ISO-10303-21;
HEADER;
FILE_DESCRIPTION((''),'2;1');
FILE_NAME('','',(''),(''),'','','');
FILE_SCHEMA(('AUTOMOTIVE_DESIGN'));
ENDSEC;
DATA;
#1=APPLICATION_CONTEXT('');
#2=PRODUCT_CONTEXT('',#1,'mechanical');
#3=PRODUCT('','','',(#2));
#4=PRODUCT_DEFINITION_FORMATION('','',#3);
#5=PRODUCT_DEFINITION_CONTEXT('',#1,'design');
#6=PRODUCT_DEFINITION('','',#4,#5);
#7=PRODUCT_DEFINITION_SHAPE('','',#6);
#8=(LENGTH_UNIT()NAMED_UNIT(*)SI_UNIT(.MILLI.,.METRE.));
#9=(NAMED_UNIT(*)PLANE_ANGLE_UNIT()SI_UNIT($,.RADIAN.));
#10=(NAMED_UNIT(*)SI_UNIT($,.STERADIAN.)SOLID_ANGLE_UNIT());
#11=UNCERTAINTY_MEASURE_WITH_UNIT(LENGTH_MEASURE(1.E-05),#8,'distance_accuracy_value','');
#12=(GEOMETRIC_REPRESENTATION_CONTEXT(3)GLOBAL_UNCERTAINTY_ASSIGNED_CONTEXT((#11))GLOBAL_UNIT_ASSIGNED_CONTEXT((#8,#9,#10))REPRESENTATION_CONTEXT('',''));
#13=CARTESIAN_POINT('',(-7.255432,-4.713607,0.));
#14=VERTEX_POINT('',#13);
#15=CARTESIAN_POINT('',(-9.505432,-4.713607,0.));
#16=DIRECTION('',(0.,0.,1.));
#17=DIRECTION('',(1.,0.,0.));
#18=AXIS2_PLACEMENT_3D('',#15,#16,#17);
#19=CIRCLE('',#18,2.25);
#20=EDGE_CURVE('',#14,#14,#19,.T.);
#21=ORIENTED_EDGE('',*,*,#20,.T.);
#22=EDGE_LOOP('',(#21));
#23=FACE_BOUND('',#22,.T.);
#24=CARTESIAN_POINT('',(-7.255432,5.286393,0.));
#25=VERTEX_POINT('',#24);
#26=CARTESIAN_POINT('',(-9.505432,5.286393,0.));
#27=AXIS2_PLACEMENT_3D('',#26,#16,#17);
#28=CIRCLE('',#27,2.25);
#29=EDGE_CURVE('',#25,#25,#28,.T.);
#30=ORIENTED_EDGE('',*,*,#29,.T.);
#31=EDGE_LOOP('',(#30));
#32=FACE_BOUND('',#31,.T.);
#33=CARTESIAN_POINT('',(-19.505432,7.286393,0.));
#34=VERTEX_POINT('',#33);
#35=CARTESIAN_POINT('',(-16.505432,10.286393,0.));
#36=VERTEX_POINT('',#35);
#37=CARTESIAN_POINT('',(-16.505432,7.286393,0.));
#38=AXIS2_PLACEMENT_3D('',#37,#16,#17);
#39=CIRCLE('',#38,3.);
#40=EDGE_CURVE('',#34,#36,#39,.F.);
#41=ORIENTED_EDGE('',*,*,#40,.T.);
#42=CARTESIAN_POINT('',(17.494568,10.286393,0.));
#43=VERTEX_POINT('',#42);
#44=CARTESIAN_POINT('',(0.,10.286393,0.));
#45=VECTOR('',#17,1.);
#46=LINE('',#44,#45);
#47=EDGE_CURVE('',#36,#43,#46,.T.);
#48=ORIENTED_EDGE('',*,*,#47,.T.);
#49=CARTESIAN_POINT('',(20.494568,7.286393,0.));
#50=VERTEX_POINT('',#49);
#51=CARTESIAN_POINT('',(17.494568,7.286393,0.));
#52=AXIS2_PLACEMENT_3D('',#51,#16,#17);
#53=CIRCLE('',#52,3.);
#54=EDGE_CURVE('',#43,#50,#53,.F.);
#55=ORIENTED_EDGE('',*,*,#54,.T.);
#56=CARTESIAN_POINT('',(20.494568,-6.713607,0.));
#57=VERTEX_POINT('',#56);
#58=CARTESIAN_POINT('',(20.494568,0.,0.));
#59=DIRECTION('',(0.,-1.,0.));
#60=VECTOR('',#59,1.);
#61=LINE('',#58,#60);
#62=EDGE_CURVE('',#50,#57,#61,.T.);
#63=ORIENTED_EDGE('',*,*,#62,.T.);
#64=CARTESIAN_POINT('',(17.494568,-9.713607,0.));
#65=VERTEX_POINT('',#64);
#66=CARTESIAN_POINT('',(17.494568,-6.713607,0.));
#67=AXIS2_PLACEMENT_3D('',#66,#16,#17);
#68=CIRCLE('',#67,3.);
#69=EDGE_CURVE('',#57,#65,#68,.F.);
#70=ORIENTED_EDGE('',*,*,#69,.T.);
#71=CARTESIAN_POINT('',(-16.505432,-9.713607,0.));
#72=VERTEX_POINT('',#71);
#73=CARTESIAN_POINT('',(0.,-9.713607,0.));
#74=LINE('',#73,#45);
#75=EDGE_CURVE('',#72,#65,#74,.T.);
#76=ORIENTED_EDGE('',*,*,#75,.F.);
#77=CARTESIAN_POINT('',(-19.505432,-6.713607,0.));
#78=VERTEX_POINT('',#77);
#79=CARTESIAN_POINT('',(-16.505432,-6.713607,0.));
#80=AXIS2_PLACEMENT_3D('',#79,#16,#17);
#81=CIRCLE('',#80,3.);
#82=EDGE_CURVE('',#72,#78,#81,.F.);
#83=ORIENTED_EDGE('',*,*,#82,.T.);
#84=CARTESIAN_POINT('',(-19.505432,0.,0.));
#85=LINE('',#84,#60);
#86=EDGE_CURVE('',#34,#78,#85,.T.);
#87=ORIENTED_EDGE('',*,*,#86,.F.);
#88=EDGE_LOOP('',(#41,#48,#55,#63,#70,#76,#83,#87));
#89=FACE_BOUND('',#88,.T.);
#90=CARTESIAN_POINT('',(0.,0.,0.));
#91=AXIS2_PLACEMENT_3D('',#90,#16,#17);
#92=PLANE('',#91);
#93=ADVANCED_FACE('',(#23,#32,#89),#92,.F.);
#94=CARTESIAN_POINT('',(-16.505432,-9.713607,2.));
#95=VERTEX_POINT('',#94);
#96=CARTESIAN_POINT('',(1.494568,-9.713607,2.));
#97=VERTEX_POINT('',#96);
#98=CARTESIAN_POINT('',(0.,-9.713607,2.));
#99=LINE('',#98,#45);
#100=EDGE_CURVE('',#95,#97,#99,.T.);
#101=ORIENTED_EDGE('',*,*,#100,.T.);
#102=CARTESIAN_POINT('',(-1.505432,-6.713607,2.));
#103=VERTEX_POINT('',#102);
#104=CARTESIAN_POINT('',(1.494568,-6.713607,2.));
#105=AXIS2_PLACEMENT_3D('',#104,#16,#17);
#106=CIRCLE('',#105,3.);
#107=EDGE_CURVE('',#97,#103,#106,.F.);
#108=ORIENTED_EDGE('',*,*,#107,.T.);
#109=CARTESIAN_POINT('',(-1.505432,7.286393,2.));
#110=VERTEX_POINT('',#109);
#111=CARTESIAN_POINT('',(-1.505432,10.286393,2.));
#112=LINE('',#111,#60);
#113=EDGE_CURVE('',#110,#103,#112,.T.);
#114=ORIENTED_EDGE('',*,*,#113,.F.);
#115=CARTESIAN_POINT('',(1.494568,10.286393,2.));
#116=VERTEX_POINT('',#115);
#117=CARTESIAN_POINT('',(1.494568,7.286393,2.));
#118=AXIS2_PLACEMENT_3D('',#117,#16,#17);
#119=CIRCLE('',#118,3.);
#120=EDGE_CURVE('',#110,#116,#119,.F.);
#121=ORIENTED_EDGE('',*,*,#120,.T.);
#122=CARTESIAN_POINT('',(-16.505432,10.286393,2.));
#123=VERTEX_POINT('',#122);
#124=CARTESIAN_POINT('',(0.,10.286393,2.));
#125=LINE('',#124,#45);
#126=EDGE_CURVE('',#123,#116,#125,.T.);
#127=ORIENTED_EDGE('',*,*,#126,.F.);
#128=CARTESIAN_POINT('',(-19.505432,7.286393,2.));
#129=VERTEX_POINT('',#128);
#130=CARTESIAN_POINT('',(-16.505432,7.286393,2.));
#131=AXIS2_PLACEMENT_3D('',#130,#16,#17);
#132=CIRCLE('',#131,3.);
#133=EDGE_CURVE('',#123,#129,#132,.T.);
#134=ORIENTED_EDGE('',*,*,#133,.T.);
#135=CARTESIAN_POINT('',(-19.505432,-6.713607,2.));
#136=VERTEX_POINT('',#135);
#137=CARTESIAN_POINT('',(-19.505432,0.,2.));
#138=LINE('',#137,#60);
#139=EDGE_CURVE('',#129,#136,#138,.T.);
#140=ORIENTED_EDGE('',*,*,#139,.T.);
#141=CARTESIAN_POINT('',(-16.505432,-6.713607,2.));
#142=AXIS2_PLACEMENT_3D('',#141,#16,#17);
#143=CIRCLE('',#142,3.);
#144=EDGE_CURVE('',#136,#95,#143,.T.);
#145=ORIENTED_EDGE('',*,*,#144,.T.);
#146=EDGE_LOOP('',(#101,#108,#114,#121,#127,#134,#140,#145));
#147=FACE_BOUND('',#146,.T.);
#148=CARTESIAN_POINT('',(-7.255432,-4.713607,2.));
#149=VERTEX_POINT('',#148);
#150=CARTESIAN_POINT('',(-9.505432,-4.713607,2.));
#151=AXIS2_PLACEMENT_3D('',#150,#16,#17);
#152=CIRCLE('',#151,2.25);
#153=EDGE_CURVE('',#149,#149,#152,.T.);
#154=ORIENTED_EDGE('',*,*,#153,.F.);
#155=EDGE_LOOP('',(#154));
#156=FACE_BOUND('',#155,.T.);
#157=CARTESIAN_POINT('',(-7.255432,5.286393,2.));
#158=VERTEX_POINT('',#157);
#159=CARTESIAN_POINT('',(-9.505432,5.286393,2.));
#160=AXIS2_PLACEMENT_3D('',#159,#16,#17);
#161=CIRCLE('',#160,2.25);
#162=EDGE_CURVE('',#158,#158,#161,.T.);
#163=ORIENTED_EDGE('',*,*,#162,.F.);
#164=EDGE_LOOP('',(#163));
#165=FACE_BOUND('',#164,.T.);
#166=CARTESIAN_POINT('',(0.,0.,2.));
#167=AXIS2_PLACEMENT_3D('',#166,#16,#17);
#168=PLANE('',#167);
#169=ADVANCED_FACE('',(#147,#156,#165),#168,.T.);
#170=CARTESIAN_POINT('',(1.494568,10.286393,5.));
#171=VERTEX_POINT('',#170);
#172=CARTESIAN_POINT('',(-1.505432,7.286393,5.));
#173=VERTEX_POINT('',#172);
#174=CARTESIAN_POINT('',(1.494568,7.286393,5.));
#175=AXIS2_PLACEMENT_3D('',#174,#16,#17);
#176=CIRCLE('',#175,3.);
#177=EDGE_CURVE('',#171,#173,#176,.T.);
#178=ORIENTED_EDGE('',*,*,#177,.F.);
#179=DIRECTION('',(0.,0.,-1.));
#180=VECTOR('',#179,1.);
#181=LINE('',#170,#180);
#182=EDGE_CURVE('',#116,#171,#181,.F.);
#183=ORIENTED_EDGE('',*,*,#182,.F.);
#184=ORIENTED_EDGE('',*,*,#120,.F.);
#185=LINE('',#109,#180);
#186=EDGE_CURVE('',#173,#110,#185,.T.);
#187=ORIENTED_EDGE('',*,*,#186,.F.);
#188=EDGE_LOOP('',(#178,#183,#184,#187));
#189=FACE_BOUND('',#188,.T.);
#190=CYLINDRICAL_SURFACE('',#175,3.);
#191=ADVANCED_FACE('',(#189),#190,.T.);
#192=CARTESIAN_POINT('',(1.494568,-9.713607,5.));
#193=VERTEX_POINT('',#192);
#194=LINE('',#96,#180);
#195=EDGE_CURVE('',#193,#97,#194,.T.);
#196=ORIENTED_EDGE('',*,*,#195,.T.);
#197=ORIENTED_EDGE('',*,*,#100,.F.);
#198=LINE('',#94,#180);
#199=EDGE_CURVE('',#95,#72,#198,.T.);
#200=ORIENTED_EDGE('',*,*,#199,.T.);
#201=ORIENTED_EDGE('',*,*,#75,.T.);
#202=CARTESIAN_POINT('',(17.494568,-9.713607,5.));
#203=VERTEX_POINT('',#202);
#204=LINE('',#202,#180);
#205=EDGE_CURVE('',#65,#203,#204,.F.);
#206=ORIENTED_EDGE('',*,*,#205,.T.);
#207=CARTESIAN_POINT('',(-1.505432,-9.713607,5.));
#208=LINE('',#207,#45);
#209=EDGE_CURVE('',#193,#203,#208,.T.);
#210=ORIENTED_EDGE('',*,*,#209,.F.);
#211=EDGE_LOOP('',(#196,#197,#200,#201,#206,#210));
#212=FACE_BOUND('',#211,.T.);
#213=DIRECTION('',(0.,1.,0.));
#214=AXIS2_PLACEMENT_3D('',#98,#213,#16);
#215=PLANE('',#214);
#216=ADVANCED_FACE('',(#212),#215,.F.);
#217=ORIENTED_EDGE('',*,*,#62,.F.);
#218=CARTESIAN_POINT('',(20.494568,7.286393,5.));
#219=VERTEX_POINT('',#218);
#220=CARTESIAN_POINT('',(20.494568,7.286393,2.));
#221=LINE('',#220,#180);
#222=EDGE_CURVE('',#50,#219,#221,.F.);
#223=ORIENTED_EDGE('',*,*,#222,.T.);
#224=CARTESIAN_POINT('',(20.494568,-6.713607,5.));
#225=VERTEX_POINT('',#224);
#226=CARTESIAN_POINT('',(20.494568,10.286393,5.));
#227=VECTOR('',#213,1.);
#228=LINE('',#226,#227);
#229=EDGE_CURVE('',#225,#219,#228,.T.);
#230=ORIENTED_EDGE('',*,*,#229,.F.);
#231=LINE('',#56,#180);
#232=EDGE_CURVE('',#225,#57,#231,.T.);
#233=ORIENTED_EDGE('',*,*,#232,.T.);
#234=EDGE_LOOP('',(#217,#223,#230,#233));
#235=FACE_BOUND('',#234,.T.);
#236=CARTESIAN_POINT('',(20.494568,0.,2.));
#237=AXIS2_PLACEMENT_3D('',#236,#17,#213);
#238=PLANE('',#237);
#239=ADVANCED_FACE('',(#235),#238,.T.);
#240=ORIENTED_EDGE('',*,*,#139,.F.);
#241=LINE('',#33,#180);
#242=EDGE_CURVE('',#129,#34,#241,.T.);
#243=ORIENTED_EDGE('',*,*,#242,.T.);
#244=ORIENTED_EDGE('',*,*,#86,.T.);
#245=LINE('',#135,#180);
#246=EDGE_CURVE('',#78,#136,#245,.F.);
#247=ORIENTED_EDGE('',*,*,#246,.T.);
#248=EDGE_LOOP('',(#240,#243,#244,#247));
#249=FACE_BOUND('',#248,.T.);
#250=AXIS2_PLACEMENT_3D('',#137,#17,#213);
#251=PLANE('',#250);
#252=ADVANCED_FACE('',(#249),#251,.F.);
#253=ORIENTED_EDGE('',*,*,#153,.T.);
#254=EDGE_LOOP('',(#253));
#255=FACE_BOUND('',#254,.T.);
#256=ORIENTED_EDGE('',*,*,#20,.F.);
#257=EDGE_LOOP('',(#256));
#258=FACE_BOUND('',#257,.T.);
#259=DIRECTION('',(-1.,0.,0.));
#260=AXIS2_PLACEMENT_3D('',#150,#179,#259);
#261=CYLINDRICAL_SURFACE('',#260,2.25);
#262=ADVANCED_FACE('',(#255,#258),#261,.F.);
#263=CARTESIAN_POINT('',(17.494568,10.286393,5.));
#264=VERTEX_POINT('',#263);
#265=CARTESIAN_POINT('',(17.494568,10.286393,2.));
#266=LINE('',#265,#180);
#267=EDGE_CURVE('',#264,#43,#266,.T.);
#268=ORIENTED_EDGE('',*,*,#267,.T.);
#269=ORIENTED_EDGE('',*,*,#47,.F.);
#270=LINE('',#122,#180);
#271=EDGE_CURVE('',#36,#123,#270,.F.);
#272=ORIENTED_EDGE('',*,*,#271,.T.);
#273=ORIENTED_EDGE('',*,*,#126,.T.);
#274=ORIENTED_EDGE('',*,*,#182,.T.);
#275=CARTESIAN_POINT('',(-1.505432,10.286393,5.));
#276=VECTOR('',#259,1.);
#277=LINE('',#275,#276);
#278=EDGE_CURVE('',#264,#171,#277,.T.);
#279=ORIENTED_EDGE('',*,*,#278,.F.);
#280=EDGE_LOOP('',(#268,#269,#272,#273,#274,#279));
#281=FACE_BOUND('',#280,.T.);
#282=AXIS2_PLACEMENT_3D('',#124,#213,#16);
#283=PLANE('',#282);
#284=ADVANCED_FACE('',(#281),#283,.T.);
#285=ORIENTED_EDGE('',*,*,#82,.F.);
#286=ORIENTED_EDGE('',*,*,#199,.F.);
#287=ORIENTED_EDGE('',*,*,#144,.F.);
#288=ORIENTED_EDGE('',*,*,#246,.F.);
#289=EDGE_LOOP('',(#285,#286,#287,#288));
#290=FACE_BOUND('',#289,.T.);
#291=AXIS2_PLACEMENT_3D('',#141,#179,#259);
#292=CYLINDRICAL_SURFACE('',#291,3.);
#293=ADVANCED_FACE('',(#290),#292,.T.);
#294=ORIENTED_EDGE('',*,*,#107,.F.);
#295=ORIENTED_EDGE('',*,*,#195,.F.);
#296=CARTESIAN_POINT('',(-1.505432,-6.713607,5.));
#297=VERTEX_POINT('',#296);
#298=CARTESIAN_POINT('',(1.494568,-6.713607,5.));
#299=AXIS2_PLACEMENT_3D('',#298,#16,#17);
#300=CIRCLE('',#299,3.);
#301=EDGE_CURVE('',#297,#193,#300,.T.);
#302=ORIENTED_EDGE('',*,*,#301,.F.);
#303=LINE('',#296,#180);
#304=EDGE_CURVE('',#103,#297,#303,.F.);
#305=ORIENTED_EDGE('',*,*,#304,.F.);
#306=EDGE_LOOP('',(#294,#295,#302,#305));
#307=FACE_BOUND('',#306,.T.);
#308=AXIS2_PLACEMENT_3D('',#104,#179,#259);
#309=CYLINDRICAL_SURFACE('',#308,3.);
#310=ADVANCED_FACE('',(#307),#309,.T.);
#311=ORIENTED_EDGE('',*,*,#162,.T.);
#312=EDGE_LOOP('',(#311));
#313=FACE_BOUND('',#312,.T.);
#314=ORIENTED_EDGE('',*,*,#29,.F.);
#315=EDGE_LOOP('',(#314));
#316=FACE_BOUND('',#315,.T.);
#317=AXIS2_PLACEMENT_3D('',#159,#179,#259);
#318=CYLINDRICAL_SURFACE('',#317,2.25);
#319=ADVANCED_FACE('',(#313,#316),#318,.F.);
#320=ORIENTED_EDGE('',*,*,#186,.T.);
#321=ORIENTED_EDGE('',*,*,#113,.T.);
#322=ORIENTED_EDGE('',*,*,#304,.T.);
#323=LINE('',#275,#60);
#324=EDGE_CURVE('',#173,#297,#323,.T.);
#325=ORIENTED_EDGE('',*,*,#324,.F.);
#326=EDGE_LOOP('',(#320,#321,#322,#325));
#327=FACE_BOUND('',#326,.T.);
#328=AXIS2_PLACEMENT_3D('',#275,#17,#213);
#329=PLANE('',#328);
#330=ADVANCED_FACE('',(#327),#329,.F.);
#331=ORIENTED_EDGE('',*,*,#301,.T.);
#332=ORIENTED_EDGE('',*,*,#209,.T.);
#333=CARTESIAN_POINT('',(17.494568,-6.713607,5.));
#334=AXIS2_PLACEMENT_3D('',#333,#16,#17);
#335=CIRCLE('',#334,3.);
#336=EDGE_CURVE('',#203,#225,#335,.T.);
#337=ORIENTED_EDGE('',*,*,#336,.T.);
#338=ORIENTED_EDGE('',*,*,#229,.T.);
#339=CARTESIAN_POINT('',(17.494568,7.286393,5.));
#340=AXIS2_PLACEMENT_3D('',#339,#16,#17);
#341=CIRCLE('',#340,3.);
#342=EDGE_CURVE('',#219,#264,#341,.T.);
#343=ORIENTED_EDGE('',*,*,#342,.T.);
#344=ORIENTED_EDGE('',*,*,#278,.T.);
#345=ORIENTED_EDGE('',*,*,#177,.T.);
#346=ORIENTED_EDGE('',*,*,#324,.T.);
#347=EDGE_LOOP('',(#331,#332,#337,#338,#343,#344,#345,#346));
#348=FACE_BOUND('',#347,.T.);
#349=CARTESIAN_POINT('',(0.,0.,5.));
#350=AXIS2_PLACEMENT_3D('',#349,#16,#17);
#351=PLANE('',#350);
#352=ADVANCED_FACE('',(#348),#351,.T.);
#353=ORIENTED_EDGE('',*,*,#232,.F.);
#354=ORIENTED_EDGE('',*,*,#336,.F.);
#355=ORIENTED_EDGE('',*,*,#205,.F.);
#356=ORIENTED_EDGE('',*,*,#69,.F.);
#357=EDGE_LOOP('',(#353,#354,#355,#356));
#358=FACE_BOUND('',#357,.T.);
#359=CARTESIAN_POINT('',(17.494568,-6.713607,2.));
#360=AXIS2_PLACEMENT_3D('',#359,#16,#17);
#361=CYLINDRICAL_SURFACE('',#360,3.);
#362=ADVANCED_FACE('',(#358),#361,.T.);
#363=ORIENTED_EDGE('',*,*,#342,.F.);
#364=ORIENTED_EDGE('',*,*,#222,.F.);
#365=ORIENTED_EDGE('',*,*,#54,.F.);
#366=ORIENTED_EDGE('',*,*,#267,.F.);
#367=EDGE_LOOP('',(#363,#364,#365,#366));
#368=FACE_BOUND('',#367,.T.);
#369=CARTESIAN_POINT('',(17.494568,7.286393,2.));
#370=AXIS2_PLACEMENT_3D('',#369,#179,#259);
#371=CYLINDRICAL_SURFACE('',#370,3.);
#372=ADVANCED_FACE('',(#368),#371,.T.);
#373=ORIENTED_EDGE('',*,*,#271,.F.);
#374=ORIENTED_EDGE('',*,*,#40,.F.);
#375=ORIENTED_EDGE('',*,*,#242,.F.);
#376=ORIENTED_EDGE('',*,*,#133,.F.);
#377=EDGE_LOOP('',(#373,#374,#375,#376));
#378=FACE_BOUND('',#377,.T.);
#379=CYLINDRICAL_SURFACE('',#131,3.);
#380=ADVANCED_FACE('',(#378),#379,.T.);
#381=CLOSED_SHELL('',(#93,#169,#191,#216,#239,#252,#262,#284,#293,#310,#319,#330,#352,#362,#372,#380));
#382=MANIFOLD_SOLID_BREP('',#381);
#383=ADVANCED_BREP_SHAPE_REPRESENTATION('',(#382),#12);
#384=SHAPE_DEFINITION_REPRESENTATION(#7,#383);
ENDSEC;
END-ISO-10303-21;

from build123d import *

# Parameters (mm, degrees)
SZKIC1_W                    = 40
SZKIC1_H                    = 20
SZKIC1_R                    = 2.25
DODANIE_WYCI_GNI_CIE1_DEPTH = 2
SZKIC3_W                    = 22
SZKIC3_H                    = 20
DODANIE_WYCI_GNI_CIE3_DEPTH = 3
ZAOKR_GLENIE1_R             = 3


with BuildPart() as part:
    # Szkic1 → Dodanie-wyciągnięcie1 (new body)
    with BuildSketch(Plane.XY):
        with Locations((0.494567618, 0.286392586)):
            Rectangle(SZKIC1_W, SZKIC1_H)
        with Locations((-9.505432382, 5.286392586)):
            Circle(SZKIC1_R, mode=Mode.SUBTRACT)
        with Locations((-9.505432382, -4.713607414)):
            Circle(SZKIC1_R, mode=Mode.SUBTRACT)
    extrude(amount=DODANIE_WYCI_GNI_CIE1_DEPTH)

    # Szkic3 → Dodanie-wyciągnięcie3 (add)
    with BuildSketch(Plane.XY.offset(2)):
        with Locations((9.494567618, 0.286392586)):
            Rectangle(SZKIC3_W, SZKIC3_H)
    extrude(amount=DODANIE_WYCI_GNI_CIE3_DEPTH)

    # Zaokrąglenie1
    zaokr_glenie1_edges = [part.edges().sort_by_distance(p)[0] for p in [
        (20.494567618, -9.713607414, 2.5),
        (-19.505432382, -9.713607414, 1),
        (-19.505432382, 10.286392586, 1),
        (20.494567618, 10.286392586, 2.5),
        (-1.505432382, 10.286392586, 3.5),
        (-1.505432382, -9.713607414, 3.5),
    ]]
    fillet(zaokr_glenie1_edges, radius=ZAOKR_GLENIE1_R)


solid = part.part
